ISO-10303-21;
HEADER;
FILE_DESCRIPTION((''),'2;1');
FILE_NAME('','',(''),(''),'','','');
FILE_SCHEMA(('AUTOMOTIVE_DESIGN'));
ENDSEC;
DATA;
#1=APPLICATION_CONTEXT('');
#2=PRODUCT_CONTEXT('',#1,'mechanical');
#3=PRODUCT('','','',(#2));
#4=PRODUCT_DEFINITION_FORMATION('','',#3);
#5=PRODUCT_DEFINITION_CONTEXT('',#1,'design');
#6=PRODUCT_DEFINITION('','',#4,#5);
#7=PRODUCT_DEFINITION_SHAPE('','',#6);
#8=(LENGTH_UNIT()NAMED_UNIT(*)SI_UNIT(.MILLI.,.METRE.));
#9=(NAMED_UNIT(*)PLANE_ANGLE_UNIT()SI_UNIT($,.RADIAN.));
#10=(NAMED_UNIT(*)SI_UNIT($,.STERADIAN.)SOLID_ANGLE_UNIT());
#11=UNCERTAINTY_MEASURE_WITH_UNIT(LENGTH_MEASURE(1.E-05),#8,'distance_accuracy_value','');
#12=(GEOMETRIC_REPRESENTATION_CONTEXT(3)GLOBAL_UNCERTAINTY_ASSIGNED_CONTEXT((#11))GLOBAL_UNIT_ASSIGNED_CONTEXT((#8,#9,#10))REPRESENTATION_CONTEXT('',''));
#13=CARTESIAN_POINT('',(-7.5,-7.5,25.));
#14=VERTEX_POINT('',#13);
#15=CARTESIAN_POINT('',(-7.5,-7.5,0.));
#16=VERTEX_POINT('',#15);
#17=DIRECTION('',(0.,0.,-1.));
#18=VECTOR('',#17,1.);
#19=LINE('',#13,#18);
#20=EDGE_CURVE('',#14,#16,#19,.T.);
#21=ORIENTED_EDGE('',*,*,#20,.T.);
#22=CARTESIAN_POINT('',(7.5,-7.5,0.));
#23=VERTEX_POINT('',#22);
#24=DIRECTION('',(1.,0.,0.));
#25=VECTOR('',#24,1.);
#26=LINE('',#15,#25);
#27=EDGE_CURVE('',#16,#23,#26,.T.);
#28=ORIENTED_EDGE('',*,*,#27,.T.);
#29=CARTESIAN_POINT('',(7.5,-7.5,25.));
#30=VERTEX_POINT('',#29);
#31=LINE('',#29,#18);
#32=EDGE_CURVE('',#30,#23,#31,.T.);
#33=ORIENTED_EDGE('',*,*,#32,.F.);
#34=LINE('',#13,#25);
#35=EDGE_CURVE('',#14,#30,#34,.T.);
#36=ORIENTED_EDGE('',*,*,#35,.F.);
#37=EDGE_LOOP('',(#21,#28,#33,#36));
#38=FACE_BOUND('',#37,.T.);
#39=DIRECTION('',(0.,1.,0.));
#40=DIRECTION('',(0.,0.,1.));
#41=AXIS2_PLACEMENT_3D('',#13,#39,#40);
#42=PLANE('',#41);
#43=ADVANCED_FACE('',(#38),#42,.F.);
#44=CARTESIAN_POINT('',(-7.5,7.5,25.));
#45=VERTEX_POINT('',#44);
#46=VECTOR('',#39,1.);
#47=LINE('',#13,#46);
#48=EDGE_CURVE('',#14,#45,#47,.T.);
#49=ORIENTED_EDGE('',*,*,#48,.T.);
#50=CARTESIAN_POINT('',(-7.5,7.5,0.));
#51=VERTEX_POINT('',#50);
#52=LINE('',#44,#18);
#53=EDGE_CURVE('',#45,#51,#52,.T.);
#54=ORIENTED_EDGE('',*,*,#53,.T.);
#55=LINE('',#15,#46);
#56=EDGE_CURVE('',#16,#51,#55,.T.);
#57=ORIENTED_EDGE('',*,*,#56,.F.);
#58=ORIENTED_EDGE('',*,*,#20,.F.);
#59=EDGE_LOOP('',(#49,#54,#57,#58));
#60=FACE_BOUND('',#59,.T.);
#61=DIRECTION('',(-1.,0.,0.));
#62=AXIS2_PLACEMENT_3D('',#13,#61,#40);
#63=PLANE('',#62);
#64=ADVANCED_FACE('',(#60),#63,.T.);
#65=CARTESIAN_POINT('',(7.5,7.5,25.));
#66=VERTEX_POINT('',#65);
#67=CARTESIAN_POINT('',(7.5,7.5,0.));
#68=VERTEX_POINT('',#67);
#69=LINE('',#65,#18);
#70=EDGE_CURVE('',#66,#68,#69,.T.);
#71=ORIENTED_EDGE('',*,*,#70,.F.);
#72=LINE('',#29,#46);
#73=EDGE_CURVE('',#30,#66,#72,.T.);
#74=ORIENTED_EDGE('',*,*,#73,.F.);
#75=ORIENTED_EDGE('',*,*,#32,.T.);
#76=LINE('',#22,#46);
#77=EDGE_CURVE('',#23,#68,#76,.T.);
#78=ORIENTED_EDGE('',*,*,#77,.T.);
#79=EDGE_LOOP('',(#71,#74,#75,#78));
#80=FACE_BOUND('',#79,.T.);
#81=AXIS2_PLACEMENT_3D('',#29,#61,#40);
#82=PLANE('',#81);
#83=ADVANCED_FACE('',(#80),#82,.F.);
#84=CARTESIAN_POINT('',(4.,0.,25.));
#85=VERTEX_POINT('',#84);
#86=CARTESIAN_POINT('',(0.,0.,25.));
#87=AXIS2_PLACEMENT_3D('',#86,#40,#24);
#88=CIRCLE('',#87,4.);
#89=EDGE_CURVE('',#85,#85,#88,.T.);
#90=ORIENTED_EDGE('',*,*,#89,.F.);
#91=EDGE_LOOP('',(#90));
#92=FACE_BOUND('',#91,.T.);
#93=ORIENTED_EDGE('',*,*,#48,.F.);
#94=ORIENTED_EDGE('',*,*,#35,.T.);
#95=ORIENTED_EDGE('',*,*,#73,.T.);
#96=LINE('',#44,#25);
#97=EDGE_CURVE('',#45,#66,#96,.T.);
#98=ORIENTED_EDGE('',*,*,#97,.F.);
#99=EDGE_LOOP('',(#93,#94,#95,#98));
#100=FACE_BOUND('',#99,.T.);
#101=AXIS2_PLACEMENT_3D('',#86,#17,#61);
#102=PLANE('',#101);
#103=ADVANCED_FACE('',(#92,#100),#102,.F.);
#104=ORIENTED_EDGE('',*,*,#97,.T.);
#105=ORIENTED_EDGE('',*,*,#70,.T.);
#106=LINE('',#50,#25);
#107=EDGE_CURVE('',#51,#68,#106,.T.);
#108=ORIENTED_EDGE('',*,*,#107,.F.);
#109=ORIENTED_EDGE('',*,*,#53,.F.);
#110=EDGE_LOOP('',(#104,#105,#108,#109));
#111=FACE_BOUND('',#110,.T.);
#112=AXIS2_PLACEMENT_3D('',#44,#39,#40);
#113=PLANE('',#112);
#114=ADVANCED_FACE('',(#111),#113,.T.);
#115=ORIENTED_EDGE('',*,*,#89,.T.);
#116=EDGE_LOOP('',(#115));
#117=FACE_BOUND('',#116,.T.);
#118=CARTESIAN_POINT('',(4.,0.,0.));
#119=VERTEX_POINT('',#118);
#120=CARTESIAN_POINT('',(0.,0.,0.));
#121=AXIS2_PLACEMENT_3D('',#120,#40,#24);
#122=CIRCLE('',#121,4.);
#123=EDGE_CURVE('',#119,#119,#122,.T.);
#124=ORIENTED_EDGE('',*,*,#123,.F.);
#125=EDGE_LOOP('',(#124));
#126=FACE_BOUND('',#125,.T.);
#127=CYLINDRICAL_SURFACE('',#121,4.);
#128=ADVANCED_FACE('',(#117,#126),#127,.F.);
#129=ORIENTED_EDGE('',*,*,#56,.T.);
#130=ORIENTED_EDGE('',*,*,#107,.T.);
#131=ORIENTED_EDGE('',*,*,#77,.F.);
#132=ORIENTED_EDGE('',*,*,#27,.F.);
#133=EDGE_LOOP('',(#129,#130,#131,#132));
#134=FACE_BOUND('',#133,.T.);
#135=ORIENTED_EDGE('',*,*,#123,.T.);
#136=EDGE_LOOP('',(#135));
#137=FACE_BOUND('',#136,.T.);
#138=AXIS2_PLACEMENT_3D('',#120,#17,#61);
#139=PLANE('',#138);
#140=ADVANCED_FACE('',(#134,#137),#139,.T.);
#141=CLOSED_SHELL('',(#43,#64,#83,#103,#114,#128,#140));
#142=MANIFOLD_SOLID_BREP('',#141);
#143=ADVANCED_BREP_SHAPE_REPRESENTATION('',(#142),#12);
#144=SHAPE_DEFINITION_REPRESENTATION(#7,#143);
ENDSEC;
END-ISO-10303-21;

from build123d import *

# Parameters (mm, degrees)
SKETCH_1_W          = 15
SKETCH_1_H          = 15
EXTRUDE_1_DEPTH     = 25
SKETCH_2_R          = 4
CUT_EXTRUDE_1_DEPTH = 28.156951228


with BuildPart() as part:
    # Эскиз1 → Бобышка-Вытянуть1 (new body)
    with BuildSketch(Plane.XY):
        Rectangle(SKETCH_1_W, SKETCH_1_H)
    extrude(amount=EXTRUDE_1_DEPTH)

    # Эскиз2 → Вырез-Вытянуть1 (cut, through all)
    with BuildSketch(Plane.XY.offset(25)):
        Circle(SKETCH_2_R)
    extrude(amount=-CUT_EXTRUDE_1_DEPTH, mode=Mode.SUBTRACT)


solid = part.part
